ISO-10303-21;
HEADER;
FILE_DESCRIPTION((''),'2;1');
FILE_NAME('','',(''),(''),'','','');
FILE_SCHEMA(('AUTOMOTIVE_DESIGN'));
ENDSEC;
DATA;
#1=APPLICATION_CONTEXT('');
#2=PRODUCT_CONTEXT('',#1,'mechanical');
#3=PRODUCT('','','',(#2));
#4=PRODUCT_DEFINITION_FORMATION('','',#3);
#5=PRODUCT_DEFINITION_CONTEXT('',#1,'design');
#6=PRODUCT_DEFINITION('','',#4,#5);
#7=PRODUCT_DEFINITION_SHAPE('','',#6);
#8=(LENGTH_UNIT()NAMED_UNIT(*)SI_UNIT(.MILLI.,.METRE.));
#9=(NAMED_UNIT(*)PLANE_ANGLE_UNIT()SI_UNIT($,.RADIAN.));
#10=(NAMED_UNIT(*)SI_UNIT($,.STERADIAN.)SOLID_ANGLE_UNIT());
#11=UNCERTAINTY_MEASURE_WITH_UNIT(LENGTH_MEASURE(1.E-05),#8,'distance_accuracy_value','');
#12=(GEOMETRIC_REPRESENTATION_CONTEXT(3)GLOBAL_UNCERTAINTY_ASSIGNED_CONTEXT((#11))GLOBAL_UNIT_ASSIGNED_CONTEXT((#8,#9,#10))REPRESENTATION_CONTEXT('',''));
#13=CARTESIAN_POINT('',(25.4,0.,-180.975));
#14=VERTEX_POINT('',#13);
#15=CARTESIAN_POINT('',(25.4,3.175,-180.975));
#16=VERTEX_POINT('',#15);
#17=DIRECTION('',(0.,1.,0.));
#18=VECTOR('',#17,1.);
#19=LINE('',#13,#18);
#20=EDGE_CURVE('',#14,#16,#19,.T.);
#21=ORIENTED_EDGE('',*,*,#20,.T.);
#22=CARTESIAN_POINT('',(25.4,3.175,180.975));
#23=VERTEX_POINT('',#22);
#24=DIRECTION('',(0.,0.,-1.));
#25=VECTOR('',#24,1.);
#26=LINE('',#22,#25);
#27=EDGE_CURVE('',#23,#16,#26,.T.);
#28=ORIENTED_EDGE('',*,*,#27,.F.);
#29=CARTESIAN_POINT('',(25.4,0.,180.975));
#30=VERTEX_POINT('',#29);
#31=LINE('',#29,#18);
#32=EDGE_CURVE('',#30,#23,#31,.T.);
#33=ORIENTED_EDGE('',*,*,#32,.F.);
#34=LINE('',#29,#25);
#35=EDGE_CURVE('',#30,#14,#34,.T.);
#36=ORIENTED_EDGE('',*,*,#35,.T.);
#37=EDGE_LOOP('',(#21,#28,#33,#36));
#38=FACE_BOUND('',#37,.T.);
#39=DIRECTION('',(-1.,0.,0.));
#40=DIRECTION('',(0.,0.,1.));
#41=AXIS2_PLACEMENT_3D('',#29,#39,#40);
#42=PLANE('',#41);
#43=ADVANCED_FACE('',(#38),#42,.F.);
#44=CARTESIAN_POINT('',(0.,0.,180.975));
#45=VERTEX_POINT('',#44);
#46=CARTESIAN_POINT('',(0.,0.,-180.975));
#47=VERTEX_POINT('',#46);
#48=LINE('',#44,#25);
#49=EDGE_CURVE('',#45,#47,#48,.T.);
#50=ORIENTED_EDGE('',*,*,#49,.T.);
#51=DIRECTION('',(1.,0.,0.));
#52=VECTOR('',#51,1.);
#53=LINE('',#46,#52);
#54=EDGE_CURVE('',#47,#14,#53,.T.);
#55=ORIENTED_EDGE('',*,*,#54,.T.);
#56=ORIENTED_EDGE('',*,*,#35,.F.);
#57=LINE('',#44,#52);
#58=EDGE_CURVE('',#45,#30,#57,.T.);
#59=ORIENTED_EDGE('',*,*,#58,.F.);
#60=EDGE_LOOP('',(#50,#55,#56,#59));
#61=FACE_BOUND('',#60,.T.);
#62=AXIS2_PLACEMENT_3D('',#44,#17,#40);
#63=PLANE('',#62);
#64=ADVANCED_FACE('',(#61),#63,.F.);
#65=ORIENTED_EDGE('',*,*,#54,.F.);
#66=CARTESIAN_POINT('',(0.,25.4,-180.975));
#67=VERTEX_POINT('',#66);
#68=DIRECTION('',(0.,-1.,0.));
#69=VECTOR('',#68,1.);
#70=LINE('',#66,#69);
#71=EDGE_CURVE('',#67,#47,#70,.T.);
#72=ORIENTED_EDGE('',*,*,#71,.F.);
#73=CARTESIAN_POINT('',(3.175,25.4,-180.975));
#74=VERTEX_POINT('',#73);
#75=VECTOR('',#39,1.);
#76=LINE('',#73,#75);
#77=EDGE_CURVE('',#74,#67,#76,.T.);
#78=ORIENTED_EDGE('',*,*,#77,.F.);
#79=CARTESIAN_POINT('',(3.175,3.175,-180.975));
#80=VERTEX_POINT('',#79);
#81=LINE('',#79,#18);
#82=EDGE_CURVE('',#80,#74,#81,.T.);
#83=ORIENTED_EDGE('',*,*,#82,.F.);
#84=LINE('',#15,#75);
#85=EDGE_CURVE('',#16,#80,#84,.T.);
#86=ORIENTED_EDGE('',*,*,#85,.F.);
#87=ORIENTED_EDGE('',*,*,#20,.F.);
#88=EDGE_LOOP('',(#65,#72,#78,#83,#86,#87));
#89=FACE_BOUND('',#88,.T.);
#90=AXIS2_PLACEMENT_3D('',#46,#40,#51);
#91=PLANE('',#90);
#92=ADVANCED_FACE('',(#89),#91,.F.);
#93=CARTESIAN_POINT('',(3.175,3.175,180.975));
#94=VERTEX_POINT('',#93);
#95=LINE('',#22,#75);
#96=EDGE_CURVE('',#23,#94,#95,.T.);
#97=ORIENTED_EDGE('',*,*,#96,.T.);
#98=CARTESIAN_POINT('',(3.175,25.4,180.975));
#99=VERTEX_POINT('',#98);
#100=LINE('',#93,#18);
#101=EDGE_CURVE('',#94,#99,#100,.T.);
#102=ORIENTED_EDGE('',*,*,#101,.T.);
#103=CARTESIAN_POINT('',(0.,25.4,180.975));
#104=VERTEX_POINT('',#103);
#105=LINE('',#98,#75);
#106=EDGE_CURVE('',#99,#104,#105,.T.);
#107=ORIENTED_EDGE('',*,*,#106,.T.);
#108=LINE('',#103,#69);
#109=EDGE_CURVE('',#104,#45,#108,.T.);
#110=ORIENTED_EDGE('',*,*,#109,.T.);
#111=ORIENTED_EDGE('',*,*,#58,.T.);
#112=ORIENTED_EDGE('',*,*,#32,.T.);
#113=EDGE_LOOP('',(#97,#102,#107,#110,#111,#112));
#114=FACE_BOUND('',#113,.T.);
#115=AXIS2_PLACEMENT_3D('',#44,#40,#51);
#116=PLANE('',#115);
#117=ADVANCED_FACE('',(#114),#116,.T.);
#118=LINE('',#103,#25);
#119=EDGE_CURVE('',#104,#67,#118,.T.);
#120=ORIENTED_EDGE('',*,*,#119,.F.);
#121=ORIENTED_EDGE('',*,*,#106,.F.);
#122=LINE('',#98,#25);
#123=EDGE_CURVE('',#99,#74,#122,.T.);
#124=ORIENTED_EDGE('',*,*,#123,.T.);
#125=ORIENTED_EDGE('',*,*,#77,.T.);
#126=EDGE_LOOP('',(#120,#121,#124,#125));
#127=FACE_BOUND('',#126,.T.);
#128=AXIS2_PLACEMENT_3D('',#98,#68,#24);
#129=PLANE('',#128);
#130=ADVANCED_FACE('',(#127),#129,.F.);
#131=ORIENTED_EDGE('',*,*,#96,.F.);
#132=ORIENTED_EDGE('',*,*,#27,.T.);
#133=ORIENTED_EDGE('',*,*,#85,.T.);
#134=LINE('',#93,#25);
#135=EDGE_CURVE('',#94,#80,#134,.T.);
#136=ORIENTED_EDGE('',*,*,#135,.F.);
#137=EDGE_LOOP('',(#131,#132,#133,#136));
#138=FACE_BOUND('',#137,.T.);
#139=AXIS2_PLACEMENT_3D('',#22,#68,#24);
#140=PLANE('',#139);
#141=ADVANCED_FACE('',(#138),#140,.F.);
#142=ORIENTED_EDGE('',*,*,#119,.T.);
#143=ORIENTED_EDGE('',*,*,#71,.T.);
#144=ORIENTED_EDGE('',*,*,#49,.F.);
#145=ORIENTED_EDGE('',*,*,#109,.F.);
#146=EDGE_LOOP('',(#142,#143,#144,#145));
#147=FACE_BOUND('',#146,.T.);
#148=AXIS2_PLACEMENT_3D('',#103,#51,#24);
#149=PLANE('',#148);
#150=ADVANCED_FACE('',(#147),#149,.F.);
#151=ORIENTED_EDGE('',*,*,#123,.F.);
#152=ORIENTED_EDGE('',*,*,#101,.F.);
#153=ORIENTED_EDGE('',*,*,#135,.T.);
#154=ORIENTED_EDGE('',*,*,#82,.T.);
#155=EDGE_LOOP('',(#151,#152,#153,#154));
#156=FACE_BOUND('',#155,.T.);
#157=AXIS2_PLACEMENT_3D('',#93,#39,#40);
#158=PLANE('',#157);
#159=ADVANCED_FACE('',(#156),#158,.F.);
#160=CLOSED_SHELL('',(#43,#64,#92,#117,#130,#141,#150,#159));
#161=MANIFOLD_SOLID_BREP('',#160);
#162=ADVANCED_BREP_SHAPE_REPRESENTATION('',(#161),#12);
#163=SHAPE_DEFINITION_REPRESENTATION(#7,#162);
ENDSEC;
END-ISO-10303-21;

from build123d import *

# Parameters (mm, degrees)
BOSS_EXTRUDE1_DEPTH = 180.975


with BuildPart() as part:
    # Sketch1 → Boss-Extrude1 (new body, symmetric)
    with BuildSketch(Plane.XY):
        Polygon((0, 25.4), (0, 0), (25.4, 0), (25.4, 3.175), (3.175, 3.175), (3.175, 25.4), align=None)
    extrude(amount=BOSS_EXTRUDE1_DEPTH, both=True)


solid = part.part
